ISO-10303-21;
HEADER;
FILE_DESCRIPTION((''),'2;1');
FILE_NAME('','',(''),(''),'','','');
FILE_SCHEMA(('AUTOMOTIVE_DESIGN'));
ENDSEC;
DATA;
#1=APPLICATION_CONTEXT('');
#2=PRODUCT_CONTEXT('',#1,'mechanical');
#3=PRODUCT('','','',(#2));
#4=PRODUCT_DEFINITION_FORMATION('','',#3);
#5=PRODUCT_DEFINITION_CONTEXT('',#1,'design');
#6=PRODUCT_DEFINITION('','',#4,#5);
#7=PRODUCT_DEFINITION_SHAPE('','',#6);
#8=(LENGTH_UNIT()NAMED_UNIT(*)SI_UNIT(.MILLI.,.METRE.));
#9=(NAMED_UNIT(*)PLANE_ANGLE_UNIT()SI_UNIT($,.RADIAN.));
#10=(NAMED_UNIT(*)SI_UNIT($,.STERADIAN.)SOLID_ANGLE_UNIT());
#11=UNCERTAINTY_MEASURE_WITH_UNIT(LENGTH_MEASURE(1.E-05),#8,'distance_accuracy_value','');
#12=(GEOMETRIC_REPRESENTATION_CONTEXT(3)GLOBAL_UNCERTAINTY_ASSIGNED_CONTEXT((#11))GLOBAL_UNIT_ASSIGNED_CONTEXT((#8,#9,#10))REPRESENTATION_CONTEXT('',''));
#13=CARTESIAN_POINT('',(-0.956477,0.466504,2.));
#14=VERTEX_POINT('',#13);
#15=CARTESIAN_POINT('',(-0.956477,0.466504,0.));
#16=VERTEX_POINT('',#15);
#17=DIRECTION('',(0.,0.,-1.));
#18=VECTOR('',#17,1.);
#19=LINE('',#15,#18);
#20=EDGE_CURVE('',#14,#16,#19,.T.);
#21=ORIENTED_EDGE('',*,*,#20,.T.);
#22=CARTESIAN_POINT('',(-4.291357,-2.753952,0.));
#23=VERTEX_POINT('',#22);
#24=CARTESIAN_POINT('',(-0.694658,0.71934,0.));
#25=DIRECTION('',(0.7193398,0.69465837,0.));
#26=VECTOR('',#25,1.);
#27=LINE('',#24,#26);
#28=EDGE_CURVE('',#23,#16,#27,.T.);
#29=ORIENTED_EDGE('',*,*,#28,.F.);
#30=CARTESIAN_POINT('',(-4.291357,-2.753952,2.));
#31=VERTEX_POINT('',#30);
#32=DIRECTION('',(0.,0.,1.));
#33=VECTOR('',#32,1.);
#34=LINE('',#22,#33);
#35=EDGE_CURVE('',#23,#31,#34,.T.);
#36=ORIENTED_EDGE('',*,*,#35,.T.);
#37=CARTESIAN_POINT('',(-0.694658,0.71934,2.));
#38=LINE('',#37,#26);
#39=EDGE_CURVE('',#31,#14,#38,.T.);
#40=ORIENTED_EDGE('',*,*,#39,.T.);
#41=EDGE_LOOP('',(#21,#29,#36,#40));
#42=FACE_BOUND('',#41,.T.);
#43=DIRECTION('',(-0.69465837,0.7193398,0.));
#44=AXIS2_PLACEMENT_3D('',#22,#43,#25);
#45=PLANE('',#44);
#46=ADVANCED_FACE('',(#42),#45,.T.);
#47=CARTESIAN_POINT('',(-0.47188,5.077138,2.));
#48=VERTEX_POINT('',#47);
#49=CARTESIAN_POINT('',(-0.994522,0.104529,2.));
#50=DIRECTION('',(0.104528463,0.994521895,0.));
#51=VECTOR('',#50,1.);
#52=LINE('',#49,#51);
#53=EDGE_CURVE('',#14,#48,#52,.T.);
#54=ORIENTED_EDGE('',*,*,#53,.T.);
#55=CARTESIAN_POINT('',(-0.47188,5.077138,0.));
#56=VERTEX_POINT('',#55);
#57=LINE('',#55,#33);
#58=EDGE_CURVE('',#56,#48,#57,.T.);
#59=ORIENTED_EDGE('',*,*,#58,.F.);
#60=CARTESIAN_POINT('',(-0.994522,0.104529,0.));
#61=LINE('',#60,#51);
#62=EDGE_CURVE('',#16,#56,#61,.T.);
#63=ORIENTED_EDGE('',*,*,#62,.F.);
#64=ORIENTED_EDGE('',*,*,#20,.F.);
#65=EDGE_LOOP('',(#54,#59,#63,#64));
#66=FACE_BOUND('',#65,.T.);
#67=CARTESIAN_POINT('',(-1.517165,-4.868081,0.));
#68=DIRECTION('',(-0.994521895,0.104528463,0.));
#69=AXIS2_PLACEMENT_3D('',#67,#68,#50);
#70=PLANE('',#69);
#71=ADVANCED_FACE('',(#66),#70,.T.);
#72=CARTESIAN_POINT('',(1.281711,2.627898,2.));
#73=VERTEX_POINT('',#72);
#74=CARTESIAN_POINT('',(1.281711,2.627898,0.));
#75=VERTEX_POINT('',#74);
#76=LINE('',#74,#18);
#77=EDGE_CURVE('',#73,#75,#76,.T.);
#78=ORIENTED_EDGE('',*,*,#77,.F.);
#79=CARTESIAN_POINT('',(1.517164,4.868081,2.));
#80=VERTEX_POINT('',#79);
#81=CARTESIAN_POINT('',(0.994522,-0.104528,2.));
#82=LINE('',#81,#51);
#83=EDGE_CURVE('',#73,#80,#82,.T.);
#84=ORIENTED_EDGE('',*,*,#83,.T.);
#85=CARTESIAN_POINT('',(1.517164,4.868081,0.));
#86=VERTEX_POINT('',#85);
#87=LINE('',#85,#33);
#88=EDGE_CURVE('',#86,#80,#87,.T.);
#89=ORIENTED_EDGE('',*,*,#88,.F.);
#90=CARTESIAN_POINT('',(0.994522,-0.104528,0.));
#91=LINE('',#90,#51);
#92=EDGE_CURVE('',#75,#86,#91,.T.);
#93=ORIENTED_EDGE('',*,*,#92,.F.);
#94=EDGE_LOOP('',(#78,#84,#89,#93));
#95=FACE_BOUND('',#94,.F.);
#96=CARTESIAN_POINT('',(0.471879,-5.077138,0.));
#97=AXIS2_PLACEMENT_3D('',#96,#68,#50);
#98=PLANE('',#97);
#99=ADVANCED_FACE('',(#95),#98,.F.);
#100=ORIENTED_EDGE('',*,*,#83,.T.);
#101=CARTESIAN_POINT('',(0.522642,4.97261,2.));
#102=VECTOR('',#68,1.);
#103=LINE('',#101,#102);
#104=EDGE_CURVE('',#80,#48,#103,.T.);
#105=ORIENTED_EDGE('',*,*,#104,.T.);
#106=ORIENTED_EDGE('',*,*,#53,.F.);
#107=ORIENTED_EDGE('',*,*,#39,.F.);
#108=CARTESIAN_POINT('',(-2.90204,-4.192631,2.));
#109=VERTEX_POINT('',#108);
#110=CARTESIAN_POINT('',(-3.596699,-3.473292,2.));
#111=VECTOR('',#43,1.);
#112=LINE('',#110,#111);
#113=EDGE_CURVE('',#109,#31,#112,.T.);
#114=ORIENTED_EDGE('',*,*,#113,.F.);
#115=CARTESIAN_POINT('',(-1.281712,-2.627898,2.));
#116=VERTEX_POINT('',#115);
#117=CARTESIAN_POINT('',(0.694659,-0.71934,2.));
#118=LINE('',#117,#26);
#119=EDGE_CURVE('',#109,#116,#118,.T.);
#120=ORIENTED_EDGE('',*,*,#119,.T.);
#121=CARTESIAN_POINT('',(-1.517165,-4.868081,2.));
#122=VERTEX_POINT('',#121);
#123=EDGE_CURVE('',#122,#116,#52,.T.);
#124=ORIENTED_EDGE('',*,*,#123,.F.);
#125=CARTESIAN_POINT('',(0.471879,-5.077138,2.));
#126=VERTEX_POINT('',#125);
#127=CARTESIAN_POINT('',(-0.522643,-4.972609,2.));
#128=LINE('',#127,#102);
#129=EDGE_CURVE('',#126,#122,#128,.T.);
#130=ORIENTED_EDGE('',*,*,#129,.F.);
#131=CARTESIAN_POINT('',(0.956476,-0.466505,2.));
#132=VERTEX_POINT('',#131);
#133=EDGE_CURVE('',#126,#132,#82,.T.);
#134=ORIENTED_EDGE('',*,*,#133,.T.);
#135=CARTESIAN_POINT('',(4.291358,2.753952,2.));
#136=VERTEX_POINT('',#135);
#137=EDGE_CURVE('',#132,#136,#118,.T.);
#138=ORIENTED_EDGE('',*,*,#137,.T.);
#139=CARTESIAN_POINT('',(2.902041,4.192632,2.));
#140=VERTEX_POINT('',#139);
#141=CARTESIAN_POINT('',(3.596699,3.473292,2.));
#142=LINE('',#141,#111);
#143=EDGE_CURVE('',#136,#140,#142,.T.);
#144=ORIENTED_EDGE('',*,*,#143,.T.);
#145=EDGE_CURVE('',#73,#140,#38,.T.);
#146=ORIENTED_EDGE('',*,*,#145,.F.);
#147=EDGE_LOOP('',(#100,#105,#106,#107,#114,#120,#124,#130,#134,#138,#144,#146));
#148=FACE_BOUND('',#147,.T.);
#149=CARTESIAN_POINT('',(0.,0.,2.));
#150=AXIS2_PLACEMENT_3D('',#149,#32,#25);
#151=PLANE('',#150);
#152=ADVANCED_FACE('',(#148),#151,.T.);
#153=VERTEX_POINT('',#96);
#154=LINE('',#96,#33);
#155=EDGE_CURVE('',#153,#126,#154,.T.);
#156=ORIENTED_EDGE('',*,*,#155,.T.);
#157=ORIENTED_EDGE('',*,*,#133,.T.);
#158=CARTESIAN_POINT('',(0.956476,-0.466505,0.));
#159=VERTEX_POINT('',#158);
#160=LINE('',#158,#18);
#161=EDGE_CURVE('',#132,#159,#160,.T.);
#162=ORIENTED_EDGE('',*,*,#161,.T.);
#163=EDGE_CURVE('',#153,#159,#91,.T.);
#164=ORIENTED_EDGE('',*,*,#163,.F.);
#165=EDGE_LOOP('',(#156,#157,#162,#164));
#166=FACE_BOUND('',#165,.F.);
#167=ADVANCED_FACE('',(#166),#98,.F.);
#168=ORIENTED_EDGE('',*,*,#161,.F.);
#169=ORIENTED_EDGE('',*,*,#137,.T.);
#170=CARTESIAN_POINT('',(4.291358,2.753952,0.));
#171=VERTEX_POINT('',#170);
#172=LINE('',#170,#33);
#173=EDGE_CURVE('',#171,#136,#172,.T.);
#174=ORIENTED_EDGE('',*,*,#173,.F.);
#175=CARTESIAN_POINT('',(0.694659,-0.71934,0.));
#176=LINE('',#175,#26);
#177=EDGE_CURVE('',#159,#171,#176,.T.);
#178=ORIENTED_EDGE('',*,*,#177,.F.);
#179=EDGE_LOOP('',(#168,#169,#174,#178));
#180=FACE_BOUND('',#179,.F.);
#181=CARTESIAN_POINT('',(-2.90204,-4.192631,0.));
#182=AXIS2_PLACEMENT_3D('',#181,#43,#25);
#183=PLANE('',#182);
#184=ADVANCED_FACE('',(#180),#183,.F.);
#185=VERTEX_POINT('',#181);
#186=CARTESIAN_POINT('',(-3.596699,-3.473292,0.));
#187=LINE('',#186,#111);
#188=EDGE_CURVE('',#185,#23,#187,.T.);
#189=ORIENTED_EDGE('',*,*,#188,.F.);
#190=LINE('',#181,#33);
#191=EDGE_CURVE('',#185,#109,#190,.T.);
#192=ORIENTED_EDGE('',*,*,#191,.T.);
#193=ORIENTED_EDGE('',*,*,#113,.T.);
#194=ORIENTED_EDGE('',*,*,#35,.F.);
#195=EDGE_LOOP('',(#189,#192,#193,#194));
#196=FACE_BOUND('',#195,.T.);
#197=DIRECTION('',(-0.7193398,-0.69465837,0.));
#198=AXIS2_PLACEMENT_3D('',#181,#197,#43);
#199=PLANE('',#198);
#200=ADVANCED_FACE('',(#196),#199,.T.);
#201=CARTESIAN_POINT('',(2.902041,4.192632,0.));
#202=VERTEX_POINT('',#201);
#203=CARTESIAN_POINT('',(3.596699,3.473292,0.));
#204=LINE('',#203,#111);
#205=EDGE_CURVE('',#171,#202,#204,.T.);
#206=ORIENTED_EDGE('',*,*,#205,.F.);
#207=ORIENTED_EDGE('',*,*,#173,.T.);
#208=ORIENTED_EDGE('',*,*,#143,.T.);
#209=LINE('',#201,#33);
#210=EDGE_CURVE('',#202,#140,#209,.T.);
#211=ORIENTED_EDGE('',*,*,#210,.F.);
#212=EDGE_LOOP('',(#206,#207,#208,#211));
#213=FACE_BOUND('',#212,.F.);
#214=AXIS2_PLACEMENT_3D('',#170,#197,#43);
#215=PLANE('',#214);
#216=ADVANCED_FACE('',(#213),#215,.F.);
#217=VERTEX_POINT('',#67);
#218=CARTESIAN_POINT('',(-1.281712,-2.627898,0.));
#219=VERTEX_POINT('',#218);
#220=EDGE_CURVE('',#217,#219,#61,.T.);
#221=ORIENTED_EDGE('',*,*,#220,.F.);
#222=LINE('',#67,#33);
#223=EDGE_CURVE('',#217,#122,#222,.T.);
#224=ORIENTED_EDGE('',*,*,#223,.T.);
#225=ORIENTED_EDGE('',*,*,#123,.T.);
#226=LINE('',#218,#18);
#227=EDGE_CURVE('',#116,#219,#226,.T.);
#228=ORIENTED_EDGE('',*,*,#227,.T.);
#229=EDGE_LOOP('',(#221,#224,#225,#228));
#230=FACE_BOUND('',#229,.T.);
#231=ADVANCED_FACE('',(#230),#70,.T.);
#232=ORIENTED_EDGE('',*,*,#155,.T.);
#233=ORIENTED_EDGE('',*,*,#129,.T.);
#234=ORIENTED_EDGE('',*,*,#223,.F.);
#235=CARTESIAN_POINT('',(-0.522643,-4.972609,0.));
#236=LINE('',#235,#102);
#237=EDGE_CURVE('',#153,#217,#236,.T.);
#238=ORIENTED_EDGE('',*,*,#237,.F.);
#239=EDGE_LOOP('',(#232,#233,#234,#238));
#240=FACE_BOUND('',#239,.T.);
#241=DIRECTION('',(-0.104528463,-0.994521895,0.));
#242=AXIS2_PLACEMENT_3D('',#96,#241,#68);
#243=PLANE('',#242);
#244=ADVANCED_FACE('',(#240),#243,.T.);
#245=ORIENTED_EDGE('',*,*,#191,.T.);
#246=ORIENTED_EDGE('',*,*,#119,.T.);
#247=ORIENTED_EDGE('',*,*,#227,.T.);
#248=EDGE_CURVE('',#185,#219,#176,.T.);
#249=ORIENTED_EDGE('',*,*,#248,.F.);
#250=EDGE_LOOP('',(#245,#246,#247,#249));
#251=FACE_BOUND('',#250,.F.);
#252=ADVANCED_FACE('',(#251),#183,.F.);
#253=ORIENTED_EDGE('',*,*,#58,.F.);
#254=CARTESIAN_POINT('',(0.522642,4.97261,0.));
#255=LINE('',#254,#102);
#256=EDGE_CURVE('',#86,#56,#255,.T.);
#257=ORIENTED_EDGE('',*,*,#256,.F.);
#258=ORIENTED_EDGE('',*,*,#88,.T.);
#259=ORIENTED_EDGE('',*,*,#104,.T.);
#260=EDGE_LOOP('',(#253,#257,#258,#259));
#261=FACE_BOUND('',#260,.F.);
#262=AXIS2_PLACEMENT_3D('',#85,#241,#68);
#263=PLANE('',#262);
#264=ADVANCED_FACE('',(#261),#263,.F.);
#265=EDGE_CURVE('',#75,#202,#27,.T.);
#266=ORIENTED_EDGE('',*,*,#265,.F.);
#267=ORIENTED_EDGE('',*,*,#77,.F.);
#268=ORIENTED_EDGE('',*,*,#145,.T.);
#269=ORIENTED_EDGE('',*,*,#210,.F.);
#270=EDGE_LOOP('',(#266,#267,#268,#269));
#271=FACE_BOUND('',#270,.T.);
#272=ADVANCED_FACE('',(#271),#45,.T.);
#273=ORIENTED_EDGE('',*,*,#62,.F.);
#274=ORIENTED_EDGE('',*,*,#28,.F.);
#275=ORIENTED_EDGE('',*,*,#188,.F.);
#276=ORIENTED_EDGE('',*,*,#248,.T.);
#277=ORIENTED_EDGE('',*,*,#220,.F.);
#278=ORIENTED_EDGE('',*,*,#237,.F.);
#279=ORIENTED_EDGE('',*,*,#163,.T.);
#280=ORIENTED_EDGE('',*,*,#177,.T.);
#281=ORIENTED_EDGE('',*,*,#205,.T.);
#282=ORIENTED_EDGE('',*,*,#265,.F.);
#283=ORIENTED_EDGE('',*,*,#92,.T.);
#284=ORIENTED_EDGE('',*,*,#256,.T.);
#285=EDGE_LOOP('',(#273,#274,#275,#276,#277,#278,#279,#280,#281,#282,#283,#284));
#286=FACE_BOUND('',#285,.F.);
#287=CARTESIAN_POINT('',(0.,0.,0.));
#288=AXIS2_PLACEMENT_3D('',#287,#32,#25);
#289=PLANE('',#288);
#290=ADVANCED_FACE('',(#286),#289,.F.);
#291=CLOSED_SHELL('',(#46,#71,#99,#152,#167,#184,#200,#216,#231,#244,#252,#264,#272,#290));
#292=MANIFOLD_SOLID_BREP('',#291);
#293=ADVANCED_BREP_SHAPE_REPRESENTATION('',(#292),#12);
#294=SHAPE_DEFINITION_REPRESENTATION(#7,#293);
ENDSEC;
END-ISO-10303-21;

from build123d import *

# Parameters (mm, degrees)
BOX001_W               = 10
BOX001_H               = 2
BOX001_DEPTH           = 2
BOX001_PLACEMENT_ANGLE = 20
BOX_W                  = 10
BOX_H                  = 2
BOX_DEPTH              = 2
BOX_PLACEMENT_ANGLE    = 20
FUSION_PLACEMENT_ANGLE = 64


with BuildPart() as cube001:
    # Box001 → Box001 (new body)
    with BuildSketch(Plane.XY):
        with Locations((5, 1)):
            Rectangle(BOX001_W, BOX001_H)
    extrude(amount=BOX001_DEPTH)


with BuildPart() as cube001_1:
    # Box001 placement: moved
    add(cube001.part.moved(Location((-5.040483, 0.770408, 0))).rotate(Axis((-5.040483, 0.770408, 0), (0, 0, -1)), BOX001_PLACEMENT_ANGLE))


with BuildPart() as fusion:
    # Box → Box (new body)
    with BuildSketch(Plane.XY):
        with Locations((5, 1)):
            Rectangle(BOX_W, BOX_H)
    extrude(amount=BOX_DEPTH)


with BuildPart() as fusion_1:
    # Box placement: moved
    add(fusion.part.moved(Location((-4.356443, -2.649793, 0))).rotate(Axis((-4.356443, -2.649793, 0), (0, 0, 1)), BOX_PLACEMENT_ANGLE))

    # Fusion: union Cube001
    add(cube001_1.part)


with BuildPart() as fusion_2:
    # Fusion placement: moved
    add(fusion_1.part.rotate(Axis((0, 0, 0), (0, 0, 1)), FUSION_PLACEMENT_ANGLE))


solid = fusion_2.part
